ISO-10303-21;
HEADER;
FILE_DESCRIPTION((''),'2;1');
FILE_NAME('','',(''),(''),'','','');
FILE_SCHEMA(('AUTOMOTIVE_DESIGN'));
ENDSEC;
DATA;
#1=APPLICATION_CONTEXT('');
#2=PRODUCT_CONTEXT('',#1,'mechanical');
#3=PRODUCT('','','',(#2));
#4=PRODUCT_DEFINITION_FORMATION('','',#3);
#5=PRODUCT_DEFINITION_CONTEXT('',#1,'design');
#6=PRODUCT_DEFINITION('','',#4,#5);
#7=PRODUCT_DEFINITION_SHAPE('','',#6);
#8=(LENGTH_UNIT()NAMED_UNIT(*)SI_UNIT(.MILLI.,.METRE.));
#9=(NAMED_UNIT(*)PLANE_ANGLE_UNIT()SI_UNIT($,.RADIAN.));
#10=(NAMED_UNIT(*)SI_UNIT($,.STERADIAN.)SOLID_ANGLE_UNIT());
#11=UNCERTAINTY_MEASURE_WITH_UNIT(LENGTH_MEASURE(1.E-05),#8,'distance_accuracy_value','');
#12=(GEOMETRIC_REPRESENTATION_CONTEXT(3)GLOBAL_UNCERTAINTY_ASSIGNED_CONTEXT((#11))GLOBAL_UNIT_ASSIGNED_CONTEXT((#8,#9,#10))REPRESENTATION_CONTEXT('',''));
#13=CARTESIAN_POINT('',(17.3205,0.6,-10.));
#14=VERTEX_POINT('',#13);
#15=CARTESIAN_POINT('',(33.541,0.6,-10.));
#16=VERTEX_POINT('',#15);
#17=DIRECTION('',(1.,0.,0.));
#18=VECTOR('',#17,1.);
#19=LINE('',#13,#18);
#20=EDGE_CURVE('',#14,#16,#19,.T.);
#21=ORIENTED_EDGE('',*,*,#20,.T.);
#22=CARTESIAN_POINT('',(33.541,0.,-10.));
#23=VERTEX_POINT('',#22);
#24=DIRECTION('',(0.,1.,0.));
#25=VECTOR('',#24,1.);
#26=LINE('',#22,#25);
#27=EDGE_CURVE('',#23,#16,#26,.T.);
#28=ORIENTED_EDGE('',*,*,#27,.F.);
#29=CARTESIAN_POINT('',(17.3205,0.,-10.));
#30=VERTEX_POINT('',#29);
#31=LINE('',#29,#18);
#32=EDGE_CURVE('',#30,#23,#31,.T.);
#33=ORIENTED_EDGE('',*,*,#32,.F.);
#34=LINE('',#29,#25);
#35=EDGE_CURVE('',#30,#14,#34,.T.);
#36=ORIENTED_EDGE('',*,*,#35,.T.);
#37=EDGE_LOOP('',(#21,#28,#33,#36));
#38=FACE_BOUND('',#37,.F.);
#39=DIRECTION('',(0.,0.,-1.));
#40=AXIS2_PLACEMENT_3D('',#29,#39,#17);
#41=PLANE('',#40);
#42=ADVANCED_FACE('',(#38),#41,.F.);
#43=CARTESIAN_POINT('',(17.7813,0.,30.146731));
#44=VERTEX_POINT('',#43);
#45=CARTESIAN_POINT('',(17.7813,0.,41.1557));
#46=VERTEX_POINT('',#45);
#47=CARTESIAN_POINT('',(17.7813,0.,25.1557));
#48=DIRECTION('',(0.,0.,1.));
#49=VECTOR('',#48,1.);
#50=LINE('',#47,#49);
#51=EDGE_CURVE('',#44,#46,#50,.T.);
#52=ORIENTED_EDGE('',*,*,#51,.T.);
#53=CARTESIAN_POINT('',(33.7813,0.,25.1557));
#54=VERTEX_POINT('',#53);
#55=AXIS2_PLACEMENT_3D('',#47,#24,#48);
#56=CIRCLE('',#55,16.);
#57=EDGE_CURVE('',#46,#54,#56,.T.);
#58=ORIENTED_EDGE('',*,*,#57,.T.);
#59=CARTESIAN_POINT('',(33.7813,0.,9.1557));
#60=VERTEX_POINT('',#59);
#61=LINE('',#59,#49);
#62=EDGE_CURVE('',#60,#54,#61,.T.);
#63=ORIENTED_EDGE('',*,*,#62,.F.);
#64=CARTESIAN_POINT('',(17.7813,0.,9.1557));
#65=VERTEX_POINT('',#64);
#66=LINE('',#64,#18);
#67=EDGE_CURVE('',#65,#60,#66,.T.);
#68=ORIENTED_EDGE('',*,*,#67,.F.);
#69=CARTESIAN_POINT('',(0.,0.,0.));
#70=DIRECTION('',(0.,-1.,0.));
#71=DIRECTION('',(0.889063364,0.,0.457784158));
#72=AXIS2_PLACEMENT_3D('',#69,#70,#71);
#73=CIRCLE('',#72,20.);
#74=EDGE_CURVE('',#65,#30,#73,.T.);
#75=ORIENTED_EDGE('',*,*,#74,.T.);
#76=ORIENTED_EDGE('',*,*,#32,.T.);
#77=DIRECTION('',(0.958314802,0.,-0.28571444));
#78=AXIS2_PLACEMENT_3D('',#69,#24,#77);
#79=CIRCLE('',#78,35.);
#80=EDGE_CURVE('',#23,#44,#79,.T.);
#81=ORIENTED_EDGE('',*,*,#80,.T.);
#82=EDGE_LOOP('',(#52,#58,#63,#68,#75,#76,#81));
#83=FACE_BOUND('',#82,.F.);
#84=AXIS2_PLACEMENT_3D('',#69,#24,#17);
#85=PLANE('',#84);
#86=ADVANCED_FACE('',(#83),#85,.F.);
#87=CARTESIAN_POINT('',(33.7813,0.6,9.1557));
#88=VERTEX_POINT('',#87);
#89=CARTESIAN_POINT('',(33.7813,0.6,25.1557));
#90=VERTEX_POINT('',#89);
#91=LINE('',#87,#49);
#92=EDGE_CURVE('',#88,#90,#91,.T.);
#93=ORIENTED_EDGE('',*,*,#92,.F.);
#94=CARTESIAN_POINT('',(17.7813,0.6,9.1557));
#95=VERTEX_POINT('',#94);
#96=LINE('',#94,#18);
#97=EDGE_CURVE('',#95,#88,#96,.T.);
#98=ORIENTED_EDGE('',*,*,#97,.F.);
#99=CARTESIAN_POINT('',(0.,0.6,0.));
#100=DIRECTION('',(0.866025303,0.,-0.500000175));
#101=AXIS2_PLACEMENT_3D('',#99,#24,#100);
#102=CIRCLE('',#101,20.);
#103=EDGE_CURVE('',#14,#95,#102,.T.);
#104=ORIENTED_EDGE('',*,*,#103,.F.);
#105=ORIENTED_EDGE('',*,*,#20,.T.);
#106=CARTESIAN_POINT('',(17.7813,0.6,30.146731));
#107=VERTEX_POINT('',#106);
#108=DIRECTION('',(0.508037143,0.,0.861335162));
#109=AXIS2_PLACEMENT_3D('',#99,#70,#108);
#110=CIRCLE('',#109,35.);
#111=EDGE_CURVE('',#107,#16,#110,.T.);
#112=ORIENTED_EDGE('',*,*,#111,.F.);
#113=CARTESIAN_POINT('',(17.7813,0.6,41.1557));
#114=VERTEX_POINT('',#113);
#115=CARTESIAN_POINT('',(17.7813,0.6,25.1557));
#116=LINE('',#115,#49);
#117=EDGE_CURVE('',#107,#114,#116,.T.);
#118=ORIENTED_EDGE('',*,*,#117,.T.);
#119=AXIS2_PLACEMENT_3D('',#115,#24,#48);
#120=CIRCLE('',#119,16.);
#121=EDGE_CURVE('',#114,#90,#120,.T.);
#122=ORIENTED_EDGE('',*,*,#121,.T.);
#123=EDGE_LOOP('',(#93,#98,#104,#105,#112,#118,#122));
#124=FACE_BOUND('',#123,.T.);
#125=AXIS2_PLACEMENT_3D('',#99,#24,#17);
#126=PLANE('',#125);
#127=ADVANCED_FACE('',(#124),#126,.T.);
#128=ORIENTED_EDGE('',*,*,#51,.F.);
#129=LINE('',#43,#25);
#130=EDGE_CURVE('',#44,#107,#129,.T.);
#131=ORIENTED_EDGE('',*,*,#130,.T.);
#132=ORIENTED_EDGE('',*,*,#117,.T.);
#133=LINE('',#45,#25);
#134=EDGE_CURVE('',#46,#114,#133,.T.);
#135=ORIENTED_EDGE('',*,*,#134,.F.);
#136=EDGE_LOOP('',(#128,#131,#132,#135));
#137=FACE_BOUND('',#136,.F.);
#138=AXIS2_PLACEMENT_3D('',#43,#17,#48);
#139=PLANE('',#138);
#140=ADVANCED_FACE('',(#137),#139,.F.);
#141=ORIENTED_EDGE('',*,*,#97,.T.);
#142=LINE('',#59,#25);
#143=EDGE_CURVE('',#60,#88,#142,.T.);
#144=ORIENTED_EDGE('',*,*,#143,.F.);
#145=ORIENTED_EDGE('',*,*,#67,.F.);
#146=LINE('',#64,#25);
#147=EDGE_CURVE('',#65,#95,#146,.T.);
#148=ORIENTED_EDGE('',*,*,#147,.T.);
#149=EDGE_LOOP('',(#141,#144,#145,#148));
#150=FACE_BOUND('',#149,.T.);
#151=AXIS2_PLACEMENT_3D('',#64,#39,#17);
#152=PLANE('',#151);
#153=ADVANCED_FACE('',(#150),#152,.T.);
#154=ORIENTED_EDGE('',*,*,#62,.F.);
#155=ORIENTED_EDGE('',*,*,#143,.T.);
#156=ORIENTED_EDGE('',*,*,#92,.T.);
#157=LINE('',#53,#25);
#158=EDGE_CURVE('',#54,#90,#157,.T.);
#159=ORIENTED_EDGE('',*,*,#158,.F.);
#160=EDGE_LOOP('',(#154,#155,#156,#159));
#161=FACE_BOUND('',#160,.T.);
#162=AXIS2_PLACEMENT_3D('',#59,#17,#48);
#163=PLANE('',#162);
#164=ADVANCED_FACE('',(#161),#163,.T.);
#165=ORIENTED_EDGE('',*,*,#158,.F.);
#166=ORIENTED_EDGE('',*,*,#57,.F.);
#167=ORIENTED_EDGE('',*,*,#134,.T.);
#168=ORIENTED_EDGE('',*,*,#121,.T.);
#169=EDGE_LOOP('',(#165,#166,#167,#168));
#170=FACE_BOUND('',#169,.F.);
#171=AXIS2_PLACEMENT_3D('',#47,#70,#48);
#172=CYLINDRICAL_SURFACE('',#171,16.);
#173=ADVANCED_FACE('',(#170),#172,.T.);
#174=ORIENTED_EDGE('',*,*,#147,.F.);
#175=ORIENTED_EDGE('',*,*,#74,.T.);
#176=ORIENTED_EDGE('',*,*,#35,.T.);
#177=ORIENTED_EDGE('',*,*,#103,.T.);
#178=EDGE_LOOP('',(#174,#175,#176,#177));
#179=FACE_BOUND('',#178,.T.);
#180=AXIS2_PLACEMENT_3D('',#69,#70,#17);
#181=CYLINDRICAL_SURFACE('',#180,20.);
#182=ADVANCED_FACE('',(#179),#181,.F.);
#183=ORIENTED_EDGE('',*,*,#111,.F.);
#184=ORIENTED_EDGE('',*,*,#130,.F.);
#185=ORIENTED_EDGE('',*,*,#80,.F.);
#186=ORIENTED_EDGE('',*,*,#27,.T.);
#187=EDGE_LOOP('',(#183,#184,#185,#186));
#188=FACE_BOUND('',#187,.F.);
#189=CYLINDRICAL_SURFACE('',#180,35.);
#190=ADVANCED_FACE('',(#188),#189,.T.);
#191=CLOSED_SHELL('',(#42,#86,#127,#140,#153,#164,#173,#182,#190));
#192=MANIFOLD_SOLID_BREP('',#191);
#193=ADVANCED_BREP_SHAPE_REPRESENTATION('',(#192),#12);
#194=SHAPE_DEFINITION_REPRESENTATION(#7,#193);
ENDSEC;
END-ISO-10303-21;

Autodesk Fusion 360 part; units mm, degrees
sketch "Sketch1" plane through (0, 0, 0) normal (0, 1, 0) x (1, 0, 0)
  circle A0 centre (0, 0) radius 35
  circle A1 centre (0, 0) radius 20
  line L0 (-17.3205, 10) -> (-33.541, 10)
  line L1 (-17.7813, -9.1557) -> (-33.7813, -9.1557)
  line L2 (-17.7813, -9.1557) -> (-33.7813, -9.1557)
  line L3 (-33.7813, -9.1557) -> (-33.7813, -41.1557)
  line L4 (-33.7813, -41.1557) -> (-17.7813, -41.1557)
  line L5 (-17.7813, -41.1557) -> (-17.7813, -9.1557)
  line L6 (-17.7813, -41.1557) -> (-33.4653, -41.1557)
  line L7 (-17.7813, -25.1557) -> (-17.7813, -41.1557)
  line L8 (-17.7813, -41.1557) -> (-33.7813, -41.1557)
  line L9 (-33.7813, -41.1557) -> (-33.7813, -25.1557)
  line L10 (-33.7813, -25.1557) -> (-17.7813, -25.1557)
  line L11 (-17.7813, -25.1557) -> (-17.7813, -41.1557)
  arc A2 (-33.7813, -25.1557) -> (-17.7813, -41.1557) centre (-17.7813, -25.1557) ccw
  line L12 (0, 45) -> (0, -55)
  line L13 (17.7813, -25.1557) -> (17.7813, -41.1557)
  line L14 (17.7813, -25.1557) -> (17.7813, -41.1557)
  arc A3 (17.7813, -41.1557) -> (33.7813, -25.1557) centre (17.7813, -25.1557) ccw
  line L15 (17.3205, 10) -> (33.541, 10)
  line L16 (17.7813, -9.1557) -> (33.7813, -9.1557)
  line L17 (33.7813, -41.1557) -> (33.7813, -25.1557)
  line L18 (33.7813, -9.1557) -> (33.7813, -41.1557)
  line L19 (17.7813, -41.1557) -> (33.4653, -41.1557)
  line L20 (17.7813, -9.1557) -> (33.7813, -9.1557)
  line L21 (17.7813, -41.1557) -> (33.7813, -41.1557)
  line L22 (17.7813, -41.1557) -> (17.7813, -9.1557)
  circle A4 centre (0, 0) radius 20
  circle A5 centre (0, 0) radius 35
  line L23 (33.7813, -25.1557) -> (17.7813, -25.1557)
  line L24 (33.7813, -41.1557) -> (17.7813, -41.1557)
  point P0 (-27, 0)
  point P1 (0, -55)
  point P2 (27, 0)
  dimension "d1" = 70
  dimension "d3" = 32
  dimension "d4" = 16
extrude "Extrude2" add sketch "Sketch1" along normal blind 0.6 contours A0 A1 L12 L15 A4 A5 | A0 L18 A5 L23 | A0 L16 L20 L22 A5 L23 | A0 A1 L0 L12 A4 A5 | A0 L13 L14 A3 L22 A5 L23 | A0 L13 L14 L22 A5 L23 | A0 A1 L12 L13 L14 L22 A4 A5 | A0 A1 L0 L1 L2 A4 A5 | A0 A1 L5 L7 L11 L12 A4 A5 | A0 L1 L2 L5 L10 A5 | A0 L5 L7 L10 L11 A5 makes body 1
extrude "Extrude1" add sketch "Sketch1" along normal blind 0.6 separate body contours A0 A1 L15 L16 L20 A4 A5 | A0 A1 L12 L15 A4 A5 | A0 L16 L20 L22 A5 L23 | A0 A1 L0 L12 A4 A5 | A0 L13 L14 L22 A5 L23 | A0 A1 L12 L13 L14 L22 A4 A5 | A0 A1 L5 L7 L11 L12 A4 A5 | A0 L1 L2 L5 L10 A5 | A0 L3 L10 A5 | A0 L5 L7 L10 L11 A5 | A0 L5 L7 L10 L11 A2 A5 makes body 2
sketch "Sketch2" plane through (0, 0, 0) normal (0, 1, 0) x (1, 0, 0)
hidden bodies 2
